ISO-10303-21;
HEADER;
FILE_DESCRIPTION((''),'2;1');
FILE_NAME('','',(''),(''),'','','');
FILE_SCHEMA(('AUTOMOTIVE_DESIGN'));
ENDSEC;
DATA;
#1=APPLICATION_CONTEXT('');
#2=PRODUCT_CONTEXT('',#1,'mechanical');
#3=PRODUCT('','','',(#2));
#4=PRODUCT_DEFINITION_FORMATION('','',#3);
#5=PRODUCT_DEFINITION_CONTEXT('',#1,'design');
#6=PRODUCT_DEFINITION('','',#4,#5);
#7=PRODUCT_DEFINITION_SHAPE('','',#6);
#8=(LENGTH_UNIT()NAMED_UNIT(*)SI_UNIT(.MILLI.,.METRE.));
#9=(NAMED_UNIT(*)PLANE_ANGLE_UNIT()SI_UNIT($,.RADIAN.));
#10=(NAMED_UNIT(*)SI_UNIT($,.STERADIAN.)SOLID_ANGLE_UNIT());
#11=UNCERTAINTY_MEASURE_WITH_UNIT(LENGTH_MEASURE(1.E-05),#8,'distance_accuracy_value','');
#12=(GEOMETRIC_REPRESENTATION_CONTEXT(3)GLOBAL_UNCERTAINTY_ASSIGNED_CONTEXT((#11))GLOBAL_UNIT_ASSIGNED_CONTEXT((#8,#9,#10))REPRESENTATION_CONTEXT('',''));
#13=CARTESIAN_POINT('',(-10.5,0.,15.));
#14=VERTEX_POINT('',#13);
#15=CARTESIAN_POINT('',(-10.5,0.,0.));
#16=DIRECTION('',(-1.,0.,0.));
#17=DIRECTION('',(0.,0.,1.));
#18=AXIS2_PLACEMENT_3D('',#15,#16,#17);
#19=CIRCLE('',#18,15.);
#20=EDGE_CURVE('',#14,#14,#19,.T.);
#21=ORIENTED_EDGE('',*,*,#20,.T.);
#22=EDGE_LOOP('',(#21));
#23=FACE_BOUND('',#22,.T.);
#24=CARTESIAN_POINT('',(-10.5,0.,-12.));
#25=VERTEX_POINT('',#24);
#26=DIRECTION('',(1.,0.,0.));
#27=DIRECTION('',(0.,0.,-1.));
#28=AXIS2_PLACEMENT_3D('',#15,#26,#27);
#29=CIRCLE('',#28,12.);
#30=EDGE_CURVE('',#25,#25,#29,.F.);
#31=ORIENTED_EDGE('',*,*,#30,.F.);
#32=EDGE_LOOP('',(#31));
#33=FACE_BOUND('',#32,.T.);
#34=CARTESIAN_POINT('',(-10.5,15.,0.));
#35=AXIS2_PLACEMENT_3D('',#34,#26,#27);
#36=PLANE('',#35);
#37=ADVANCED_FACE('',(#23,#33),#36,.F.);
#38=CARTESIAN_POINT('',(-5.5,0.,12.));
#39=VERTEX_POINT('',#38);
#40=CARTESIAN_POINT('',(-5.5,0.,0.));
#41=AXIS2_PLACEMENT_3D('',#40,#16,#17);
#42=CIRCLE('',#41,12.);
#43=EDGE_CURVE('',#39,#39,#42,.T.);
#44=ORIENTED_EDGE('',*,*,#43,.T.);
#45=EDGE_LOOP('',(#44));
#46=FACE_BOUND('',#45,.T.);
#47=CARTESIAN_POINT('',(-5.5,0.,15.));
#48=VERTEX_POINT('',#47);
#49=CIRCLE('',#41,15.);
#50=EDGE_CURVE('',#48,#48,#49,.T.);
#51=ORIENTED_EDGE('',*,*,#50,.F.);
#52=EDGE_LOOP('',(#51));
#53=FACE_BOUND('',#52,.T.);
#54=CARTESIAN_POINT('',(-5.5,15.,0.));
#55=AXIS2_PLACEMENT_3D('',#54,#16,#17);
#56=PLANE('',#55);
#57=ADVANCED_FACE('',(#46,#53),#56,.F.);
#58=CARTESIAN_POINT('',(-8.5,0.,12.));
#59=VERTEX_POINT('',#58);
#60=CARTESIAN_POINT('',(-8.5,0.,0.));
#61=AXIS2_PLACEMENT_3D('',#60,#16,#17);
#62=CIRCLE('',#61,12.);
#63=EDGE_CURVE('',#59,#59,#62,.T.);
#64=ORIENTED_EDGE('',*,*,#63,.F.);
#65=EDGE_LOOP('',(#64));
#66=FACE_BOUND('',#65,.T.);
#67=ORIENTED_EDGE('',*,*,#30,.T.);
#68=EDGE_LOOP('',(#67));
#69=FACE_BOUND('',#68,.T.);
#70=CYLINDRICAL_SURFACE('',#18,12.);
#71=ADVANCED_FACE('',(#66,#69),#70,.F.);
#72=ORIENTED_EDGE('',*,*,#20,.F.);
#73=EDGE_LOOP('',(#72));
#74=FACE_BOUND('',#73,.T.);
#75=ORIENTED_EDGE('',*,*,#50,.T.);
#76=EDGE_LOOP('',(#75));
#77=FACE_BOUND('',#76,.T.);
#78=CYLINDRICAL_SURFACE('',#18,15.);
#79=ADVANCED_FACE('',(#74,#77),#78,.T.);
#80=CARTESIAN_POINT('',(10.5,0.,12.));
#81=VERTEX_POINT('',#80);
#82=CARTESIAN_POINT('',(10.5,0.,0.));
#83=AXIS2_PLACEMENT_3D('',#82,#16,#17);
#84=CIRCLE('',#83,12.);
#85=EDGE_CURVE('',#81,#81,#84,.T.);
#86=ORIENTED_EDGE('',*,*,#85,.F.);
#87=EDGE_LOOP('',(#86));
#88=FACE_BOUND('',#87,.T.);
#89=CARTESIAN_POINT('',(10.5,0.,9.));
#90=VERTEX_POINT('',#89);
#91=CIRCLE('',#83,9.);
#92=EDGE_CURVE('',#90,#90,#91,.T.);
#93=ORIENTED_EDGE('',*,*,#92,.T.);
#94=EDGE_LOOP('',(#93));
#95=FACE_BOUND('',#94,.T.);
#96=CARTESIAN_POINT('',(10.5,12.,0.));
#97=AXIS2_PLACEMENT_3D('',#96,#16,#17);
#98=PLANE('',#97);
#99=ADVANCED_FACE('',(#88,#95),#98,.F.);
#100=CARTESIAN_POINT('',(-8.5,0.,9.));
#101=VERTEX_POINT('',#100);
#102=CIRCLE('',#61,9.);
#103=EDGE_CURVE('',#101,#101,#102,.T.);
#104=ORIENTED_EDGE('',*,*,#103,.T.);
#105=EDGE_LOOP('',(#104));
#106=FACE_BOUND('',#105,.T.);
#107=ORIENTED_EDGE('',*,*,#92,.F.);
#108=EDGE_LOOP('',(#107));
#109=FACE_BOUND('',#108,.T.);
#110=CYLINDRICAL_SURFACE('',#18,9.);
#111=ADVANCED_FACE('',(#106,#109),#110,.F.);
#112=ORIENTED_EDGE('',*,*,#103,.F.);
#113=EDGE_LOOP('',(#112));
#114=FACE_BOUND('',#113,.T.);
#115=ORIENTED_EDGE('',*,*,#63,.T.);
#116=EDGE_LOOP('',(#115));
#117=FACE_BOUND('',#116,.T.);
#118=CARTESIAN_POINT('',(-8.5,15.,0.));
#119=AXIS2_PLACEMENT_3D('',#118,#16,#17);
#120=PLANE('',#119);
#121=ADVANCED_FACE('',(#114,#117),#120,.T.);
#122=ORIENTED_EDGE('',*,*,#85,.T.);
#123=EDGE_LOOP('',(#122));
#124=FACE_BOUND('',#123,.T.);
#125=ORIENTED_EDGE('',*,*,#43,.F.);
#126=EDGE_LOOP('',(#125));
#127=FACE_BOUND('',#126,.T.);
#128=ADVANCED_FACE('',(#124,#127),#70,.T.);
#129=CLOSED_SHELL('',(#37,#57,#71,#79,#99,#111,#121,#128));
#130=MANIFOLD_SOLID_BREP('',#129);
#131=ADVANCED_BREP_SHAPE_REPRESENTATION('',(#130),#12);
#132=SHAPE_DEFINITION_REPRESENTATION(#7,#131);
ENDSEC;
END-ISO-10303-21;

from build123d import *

# Parameters (mm, degrees)
SHELL2_T = -3


with BuildPart() as part:
    # Sketch5 → Revolve11 (revolve)
    with BuildSketch(Plane.XY, mode=Mode.PRIVATE) as revolve11_sk:
        Polygon((-10.5, 0), (10.5, 0), (10.5, 12), (-5.5, 12), (-5.5, 15), (-10.5, 15), align=None)
    revolve(revolve11_sk.sketch.rotate(Axis((-10.5, 0, 0), (1, 0, 0)), 90), axis=Axis((-10.5, 0, 0), (1, 0, 0)))

    # Shell2
    shell2_openings = [part.faces().sort_by_distance(p)[0] for p in [
        (10.5, 0, 0),
        (-10.5, 0, 0),
    ]]
    offset(amount=SHELL2_T, openings=shell2_openings, kind=Kind.INTERSECTION)


solid = part.part
